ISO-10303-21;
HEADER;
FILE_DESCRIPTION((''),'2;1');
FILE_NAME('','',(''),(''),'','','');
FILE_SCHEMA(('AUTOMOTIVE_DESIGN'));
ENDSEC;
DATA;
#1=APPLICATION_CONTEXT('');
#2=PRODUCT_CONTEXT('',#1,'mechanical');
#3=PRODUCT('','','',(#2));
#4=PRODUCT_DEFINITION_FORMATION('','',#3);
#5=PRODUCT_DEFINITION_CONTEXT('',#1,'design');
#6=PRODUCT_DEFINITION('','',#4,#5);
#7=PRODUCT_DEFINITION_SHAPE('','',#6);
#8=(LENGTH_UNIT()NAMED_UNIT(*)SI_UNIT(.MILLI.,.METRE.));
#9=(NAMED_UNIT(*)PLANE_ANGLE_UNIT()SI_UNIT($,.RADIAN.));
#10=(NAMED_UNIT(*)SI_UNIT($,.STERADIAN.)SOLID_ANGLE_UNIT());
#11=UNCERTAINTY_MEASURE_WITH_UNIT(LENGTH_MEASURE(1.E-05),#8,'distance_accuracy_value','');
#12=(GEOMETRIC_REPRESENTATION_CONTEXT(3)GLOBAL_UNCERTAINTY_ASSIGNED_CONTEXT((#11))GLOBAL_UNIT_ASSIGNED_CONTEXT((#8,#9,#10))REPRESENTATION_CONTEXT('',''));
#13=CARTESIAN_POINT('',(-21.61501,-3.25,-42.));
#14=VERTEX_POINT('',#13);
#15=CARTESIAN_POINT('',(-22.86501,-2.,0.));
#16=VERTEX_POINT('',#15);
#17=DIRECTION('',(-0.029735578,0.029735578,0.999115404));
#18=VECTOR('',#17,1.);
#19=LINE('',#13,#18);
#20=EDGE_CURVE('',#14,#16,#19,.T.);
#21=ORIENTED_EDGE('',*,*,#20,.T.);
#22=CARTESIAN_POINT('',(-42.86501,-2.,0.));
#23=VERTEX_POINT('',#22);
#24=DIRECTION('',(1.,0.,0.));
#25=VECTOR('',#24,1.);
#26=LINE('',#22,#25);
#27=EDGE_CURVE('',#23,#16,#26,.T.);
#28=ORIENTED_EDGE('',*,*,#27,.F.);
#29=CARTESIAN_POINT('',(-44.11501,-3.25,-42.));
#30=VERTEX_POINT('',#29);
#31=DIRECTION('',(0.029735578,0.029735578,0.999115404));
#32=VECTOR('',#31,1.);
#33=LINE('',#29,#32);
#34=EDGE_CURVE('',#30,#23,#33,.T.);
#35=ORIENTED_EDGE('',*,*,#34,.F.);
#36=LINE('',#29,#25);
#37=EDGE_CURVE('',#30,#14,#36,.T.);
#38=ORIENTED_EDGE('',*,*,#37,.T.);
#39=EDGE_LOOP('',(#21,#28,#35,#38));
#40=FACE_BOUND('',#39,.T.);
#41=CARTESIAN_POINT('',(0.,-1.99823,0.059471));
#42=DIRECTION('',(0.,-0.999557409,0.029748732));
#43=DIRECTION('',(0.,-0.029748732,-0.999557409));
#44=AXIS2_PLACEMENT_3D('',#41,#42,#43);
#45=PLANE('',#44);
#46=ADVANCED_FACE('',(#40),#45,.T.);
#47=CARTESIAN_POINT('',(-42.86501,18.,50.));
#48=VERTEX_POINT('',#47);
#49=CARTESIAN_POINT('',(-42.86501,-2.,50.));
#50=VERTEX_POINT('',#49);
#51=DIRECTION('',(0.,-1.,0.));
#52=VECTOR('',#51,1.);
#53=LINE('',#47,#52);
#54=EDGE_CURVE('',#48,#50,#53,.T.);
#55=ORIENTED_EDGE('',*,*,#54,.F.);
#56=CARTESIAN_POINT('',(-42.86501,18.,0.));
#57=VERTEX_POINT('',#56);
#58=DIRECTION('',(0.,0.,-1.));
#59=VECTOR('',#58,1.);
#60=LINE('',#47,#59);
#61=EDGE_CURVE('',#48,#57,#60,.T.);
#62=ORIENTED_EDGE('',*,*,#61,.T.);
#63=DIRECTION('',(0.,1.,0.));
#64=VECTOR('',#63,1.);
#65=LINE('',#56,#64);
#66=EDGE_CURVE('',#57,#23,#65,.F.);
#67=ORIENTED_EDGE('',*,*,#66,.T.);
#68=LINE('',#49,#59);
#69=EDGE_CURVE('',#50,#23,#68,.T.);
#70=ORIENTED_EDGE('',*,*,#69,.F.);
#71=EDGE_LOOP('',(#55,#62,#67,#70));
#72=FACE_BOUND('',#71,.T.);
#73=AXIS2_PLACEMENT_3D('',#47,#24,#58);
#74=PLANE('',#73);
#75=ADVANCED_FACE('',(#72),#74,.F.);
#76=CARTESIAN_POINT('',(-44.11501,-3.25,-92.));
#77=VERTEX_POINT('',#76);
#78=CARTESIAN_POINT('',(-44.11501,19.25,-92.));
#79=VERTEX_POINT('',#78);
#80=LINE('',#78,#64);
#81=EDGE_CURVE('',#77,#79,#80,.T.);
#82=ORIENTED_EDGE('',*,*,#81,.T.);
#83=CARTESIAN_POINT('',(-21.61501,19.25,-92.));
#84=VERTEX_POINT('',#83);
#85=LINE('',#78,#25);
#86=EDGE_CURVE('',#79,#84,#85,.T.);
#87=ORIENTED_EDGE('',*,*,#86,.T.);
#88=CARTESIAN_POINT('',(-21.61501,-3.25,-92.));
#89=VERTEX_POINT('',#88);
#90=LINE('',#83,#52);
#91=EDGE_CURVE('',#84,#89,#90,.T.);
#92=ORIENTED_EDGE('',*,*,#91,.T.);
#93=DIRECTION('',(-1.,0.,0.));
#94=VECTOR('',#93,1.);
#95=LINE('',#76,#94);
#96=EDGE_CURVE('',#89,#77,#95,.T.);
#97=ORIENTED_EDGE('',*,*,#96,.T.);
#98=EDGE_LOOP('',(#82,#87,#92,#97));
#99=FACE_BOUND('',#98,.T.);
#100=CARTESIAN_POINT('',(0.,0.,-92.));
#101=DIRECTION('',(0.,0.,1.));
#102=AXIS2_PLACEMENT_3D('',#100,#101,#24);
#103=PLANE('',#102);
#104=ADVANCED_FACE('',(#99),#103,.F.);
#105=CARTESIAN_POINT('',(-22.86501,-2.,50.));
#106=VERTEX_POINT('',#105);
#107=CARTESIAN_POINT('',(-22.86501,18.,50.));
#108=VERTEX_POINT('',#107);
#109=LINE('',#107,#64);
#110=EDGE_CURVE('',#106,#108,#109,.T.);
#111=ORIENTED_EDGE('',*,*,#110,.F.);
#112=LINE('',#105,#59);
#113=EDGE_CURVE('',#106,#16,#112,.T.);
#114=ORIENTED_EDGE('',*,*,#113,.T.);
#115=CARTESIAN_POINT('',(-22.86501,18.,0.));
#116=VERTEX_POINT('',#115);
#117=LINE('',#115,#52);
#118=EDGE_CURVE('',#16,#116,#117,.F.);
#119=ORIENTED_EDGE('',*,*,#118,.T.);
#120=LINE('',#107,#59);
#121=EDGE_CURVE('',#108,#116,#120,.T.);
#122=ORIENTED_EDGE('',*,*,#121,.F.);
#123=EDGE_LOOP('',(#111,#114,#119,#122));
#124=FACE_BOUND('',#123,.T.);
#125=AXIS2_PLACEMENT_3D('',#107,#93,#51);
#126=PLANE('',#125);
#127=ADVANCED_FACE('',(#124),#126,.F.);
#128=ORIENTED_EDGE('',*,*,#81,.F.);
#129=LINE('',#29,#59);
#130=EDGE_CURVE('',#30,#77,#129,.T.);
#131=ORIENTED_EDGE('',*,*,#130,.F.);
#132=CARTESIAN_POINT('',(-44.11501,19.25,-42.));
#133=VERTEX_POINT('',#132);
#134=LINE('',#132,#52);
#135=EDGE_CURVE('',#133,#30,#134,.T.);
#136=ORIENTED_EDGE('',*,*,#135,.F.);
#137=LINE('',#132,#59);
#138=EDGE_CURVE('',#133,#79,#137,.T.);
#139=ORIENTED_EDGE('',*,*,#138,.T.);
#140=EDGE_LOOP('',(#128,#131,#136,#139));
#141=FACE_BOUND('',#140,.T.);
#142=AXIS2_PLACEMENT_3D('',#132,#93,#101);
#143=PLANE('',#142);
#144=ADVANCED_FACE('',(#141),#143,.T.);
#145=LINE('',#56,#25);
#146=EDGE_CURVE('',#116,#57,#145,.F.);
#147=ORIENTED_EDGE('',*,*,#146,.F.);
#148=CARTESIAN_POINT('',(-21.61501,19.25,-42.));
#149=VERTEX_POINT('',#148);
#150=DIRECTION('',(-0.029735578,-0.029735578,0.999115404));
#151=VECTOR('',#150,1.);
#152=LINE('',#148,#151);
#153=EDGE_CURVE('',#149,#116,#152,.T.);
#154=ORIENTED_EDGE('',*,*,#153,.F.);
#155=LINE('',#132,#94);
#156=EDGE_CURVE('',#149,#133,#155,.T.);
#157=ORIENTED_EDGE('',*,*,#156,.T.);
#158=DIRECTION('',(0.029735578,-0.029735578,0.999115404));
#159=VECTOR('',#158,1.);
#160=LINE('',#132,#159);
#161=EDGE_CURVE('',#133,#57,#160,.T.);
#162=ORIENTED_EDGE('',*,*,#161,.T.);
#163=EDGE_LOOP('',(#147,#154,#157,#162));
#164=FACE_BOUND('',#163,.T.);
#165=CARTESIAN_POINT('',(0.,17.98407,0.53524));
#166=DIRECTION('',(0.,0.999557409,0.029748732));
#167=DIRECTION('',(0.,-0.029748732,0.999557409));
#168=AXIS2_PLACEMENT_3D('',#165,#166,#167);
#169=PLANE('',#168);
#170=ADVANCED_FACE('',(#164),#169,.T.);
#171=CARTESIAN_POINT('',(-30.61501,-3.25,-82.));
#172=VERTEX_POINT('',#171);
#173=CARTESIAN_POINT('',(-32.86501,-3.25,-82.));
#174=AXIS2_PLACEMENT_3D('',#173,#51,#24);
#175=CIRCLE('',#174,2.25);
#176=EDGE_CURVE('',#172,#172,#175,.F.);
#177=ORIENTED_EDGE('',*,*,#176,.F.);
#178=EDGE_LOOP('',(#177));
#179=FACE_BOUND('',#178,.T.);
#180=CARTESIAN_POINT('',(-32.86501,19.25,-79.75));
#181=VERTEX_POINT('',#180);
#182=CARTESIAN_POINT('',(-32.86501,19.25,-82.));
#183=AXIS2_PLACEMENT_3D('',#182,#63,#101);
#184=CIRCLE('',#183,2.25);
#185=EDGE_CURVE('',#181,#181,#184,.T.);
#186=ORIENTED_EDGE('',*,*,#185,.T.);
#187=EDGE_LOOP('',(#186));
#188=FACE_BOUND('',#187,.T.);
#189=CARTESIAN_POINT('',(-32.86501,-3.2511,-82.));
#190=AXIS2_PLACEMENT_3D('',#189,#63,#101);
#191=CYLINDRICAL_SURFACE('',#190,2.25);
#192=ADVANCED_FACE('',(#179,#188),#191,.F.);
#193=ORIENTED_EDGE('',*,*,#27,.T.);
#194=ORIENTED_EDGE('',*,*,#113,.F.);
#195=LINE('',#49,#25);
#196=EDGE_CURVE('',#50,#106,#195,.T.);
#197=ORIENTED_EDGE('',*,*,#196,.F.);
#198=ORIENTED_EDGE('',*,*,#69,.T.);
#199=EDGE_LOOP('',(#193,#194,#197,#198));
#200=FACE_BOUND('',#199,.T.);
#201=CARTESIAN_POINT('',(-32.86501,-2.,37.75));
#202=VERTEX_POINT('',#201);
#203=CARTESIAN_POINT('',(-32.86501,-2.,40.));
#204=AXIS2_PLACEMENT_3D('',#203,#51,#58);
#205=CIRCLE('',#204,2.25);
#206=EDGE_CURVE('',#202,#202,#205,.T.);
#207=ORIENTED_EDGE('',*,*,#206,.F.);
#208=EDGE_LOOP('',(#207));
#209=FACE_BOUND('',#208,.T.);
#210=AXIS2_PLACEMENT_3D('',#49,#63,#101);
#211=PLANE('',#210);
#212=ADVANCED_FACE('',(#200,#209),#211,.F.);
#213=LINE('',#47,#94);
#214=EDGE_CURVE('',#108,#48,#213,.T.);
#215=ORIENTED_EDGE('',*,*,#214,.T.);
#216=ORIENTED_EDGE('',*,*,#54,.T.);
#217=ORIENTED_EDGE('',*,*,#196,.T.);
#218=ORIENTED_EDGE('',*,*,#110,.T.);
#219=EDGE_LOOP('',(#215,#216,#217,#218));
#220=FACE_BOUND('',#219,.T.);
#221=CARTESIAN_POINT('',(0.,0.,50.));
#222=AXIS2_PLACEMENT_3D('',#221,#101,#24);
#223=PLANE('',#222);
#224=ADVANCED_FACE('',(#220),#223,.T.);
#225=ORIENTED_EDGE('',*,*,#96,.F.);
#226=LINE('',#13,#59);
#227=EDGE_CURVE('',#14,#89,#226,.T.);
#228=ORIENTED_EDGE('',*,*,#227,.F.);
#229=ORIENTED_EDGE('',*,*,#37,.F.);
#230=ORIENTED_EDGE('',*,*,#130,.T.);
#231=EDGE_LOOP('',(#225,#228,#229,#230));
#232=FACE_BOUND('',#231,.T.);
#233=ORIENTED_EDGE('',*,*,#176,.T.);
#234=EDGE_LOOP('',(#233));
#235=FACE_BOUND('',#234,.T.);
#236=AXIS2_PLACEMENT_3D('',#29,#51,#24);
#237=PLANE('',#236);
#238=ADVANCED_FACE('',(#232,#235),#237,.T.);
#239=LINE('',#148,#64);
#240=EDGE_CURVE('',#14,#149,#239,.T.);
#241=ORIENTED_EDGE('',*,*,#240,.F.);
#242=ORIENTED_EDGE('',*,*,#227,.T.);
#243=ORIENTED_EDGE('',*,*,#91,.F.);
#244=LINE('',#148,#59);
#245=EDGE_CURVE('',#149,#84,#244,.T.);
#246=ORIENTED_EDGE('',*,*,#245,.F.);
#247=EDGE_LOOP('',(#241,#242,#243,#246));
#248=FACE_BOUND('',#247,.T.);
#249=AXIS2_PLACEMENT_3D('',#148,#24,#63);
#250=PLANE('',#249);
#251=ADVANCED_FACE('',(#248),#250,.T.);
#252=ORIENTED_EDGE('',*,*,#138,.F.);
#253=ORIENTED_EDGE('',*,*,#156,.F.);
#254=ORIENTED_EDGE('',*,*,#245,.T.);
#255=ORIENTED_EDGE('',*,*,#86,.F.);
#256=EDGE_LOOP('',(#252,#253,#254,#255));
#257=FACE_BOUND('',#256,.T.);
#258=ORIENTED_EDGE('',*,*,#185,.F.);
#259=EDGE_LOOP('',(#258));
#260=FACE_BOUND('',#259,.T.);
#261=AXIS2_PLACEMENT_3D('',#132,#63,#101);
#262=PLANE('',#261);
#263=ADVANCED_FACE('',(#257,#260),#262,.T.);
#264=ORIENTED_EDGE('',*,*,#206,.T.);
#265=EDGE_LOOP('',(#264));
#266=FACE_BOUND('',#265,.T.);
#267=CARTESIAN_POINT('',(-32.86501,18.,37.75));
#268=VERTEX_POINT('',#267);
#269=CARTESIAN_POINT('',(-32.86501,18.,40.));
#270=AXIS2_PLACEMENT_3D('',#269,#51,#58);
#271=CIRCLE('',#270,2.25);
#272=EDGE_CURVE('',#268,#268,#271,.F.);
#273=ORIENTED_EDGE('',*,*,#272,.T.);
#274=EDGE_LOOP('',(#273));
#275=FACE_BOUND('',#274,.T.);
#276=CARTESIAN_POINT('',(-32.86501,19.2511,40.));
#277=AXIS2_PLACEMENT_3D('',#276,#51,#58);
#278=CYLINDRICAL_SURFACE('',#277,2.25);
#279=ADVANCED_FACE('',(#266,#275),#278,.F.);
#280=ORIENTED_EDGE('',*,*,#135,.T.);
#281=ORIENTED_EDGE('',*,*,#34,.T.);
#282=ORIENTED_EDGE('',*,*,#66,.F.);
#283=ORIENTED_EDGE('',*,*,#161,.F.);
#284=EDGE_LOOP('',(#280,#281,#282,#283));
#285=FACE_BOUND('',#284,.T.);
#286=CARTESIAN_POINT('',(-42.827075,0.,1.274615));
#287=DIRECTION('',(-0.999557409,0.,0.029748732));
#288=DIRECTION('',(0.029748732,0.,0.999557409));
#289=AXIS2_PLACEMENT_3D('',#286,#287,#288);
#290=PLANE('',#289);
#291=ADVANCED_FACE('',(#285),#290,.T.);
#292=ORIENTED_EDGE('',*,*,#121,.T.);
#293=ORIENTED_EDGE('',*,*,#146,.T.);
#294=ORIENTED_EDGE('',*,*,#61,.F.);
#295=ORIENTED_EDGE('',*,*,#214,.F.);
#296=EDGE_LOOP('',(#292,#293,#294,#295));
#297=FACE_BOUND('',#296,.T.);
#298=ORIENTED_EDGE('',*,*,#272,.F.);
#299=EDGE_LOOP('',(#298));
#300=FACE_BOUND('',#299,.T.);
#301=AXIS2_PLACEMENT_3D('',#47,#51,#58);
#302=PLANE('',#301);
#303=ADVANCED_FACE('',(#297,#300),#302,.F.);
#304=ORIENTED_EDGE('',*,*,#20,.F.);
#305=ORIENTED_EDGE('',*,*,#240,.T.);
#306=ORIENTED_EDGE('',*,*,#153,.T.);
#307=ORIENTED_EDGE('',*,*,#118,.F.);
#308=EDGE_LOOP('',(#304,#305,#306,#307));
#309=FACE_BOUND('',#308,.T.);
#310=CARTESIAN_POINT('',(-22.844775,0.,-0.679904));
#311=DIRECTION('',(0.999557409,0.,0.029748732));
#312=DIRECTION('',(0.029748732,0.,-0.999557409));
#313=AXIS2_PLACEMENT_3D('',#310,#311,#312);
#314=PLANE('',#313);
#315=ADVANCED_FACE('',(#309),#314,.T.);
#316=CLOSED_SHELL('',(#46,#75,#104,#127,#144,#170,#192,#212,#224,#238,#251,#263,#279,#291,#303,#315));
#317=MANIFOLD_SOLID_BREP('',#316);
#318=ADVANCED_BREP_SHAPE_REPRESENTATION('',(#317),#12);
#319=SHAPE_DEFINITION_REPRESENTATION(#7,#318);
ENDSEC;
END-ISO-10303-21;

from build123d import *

# Parameters (mm, degrees)
ESQUISSE1_W             = 20
ESQUISSE1_H             = 20
BOSS_EXTRU_1_DEPTH      = 50
ESQUISSE2_W             = 22.5
ESQUISSE2_H             = 22.5
BOSS_EXTRU_2_DEPTH      = 50
ESQUISSE5_W             = 22.5
ESQUISSE5_H             = 22.5
ESQUISSE4_W             = 20
ESQUISSE4_H             = 20
ENL_V_MAT_EXTRU_1_REACH = 24.5
ESQUISSE6_R             = 2.25
ENL_V_MAT_EXTRU_2_REACH = 23.25
ESQUISSE7_R             = 2.25


with BuildPart() as part:
    # Esquisse1 → Boss.-Extru.1 (new body)
    with BuildSketch(Plane.XY):
        with Locations((-32.865009747, 8)):
            Rectangle(ESQUISSE1_W, ESQUISSE1_H)
    extrude(amount=BOSS_EXTRU_1_DEPTH)



with BuildPart() as body_2:
    # Esquisse2 → Boss.-Extru.2 (new body)
    with BuildSketch(Plane(origin=(0, 0, -92), x_dir=(-1, 0, 0), z_dir=(0, 0, -1))):
        with Locations((32.865009747, 8)):
            Rectangle(ESQUISSE2_W, ESQUISSE2_H)
    extrude(amount=-BOSS_EXTRU_2_DEPTH)


with BuildPart() as part_1:
    add(part.part)

    add(body_2.part)  # Lissage1 merges body 2
    # Esquisse5 → Lissage1 section 0
    with BuildSketch(Plane.XY.offset(-42)):
        with Locations((-32.865009747, 8)):
            Rectangle(ESQUISSE5_W, ESQUISSE5_H)
    # Esquisse4 → Lissage1 section 1
    with BuildSketch(Plane(origin=(0, 0, 0), x_dir=(-1, 0, 0), z_dir=(0, 0, -1))):
        with Locations((32.865009747, 8)):
            Rectangle(ESQUISSE4_W, ESQUISSE4_H)
    loft()

    # Esquisse6 → Enlèv. mat.-Extru.1 (cut, up to next)
    with BuildSketch(Plane(origin=(0, 19.25, 0), x_dir=(1, 0, 0), z_dir=(0, 1, 0)), mode=Mode.PRIVATE) as enl_v_mat_extru_1_sk1:
        with Locations((-32.865009747, 82)):
            Circle(ESQUISSE6_R)
    enl_v_mat_extru_1_tool1 = extrude(enl_v_mat_extru_1_sk1.sketch, amount=-ENL_V_MAT_EXTRU_1_REACH, mode=Mode.PRIVATE) & part_1.part
    add(enl_v_mat_extru_1_tool1.solids().sort_by_distance((-32.86501, 19.25, -82))[0], mode=Mode.SUBTRACT)

    # Esquisse7 → Enlèv. mat.-Extru.2 (cut, up to next)
    with BuildSketch(Plane.XZ.offset(2), mode=Mode.PRIVATE) as enl_v_mat_extru_2_sk1:
        with Locations((-32.865009747, 40)):
            Circle(ESQUISSE7_R)
    enl_v_mat_extru_2_tool1 = extrude(enl_v_mat_extru_2_sk1.sketch, amount=-ENL_V_MAT_EXTRU_2_REACH, mode=Mode.PRIVATE) & part_1.part
    add(enl_v_mat_extru_2_tool1.solids().sort_by_distance((-32.86501, -2, 40))[0], mode=Mode.SUBTRACT)


solid = part_1.part
